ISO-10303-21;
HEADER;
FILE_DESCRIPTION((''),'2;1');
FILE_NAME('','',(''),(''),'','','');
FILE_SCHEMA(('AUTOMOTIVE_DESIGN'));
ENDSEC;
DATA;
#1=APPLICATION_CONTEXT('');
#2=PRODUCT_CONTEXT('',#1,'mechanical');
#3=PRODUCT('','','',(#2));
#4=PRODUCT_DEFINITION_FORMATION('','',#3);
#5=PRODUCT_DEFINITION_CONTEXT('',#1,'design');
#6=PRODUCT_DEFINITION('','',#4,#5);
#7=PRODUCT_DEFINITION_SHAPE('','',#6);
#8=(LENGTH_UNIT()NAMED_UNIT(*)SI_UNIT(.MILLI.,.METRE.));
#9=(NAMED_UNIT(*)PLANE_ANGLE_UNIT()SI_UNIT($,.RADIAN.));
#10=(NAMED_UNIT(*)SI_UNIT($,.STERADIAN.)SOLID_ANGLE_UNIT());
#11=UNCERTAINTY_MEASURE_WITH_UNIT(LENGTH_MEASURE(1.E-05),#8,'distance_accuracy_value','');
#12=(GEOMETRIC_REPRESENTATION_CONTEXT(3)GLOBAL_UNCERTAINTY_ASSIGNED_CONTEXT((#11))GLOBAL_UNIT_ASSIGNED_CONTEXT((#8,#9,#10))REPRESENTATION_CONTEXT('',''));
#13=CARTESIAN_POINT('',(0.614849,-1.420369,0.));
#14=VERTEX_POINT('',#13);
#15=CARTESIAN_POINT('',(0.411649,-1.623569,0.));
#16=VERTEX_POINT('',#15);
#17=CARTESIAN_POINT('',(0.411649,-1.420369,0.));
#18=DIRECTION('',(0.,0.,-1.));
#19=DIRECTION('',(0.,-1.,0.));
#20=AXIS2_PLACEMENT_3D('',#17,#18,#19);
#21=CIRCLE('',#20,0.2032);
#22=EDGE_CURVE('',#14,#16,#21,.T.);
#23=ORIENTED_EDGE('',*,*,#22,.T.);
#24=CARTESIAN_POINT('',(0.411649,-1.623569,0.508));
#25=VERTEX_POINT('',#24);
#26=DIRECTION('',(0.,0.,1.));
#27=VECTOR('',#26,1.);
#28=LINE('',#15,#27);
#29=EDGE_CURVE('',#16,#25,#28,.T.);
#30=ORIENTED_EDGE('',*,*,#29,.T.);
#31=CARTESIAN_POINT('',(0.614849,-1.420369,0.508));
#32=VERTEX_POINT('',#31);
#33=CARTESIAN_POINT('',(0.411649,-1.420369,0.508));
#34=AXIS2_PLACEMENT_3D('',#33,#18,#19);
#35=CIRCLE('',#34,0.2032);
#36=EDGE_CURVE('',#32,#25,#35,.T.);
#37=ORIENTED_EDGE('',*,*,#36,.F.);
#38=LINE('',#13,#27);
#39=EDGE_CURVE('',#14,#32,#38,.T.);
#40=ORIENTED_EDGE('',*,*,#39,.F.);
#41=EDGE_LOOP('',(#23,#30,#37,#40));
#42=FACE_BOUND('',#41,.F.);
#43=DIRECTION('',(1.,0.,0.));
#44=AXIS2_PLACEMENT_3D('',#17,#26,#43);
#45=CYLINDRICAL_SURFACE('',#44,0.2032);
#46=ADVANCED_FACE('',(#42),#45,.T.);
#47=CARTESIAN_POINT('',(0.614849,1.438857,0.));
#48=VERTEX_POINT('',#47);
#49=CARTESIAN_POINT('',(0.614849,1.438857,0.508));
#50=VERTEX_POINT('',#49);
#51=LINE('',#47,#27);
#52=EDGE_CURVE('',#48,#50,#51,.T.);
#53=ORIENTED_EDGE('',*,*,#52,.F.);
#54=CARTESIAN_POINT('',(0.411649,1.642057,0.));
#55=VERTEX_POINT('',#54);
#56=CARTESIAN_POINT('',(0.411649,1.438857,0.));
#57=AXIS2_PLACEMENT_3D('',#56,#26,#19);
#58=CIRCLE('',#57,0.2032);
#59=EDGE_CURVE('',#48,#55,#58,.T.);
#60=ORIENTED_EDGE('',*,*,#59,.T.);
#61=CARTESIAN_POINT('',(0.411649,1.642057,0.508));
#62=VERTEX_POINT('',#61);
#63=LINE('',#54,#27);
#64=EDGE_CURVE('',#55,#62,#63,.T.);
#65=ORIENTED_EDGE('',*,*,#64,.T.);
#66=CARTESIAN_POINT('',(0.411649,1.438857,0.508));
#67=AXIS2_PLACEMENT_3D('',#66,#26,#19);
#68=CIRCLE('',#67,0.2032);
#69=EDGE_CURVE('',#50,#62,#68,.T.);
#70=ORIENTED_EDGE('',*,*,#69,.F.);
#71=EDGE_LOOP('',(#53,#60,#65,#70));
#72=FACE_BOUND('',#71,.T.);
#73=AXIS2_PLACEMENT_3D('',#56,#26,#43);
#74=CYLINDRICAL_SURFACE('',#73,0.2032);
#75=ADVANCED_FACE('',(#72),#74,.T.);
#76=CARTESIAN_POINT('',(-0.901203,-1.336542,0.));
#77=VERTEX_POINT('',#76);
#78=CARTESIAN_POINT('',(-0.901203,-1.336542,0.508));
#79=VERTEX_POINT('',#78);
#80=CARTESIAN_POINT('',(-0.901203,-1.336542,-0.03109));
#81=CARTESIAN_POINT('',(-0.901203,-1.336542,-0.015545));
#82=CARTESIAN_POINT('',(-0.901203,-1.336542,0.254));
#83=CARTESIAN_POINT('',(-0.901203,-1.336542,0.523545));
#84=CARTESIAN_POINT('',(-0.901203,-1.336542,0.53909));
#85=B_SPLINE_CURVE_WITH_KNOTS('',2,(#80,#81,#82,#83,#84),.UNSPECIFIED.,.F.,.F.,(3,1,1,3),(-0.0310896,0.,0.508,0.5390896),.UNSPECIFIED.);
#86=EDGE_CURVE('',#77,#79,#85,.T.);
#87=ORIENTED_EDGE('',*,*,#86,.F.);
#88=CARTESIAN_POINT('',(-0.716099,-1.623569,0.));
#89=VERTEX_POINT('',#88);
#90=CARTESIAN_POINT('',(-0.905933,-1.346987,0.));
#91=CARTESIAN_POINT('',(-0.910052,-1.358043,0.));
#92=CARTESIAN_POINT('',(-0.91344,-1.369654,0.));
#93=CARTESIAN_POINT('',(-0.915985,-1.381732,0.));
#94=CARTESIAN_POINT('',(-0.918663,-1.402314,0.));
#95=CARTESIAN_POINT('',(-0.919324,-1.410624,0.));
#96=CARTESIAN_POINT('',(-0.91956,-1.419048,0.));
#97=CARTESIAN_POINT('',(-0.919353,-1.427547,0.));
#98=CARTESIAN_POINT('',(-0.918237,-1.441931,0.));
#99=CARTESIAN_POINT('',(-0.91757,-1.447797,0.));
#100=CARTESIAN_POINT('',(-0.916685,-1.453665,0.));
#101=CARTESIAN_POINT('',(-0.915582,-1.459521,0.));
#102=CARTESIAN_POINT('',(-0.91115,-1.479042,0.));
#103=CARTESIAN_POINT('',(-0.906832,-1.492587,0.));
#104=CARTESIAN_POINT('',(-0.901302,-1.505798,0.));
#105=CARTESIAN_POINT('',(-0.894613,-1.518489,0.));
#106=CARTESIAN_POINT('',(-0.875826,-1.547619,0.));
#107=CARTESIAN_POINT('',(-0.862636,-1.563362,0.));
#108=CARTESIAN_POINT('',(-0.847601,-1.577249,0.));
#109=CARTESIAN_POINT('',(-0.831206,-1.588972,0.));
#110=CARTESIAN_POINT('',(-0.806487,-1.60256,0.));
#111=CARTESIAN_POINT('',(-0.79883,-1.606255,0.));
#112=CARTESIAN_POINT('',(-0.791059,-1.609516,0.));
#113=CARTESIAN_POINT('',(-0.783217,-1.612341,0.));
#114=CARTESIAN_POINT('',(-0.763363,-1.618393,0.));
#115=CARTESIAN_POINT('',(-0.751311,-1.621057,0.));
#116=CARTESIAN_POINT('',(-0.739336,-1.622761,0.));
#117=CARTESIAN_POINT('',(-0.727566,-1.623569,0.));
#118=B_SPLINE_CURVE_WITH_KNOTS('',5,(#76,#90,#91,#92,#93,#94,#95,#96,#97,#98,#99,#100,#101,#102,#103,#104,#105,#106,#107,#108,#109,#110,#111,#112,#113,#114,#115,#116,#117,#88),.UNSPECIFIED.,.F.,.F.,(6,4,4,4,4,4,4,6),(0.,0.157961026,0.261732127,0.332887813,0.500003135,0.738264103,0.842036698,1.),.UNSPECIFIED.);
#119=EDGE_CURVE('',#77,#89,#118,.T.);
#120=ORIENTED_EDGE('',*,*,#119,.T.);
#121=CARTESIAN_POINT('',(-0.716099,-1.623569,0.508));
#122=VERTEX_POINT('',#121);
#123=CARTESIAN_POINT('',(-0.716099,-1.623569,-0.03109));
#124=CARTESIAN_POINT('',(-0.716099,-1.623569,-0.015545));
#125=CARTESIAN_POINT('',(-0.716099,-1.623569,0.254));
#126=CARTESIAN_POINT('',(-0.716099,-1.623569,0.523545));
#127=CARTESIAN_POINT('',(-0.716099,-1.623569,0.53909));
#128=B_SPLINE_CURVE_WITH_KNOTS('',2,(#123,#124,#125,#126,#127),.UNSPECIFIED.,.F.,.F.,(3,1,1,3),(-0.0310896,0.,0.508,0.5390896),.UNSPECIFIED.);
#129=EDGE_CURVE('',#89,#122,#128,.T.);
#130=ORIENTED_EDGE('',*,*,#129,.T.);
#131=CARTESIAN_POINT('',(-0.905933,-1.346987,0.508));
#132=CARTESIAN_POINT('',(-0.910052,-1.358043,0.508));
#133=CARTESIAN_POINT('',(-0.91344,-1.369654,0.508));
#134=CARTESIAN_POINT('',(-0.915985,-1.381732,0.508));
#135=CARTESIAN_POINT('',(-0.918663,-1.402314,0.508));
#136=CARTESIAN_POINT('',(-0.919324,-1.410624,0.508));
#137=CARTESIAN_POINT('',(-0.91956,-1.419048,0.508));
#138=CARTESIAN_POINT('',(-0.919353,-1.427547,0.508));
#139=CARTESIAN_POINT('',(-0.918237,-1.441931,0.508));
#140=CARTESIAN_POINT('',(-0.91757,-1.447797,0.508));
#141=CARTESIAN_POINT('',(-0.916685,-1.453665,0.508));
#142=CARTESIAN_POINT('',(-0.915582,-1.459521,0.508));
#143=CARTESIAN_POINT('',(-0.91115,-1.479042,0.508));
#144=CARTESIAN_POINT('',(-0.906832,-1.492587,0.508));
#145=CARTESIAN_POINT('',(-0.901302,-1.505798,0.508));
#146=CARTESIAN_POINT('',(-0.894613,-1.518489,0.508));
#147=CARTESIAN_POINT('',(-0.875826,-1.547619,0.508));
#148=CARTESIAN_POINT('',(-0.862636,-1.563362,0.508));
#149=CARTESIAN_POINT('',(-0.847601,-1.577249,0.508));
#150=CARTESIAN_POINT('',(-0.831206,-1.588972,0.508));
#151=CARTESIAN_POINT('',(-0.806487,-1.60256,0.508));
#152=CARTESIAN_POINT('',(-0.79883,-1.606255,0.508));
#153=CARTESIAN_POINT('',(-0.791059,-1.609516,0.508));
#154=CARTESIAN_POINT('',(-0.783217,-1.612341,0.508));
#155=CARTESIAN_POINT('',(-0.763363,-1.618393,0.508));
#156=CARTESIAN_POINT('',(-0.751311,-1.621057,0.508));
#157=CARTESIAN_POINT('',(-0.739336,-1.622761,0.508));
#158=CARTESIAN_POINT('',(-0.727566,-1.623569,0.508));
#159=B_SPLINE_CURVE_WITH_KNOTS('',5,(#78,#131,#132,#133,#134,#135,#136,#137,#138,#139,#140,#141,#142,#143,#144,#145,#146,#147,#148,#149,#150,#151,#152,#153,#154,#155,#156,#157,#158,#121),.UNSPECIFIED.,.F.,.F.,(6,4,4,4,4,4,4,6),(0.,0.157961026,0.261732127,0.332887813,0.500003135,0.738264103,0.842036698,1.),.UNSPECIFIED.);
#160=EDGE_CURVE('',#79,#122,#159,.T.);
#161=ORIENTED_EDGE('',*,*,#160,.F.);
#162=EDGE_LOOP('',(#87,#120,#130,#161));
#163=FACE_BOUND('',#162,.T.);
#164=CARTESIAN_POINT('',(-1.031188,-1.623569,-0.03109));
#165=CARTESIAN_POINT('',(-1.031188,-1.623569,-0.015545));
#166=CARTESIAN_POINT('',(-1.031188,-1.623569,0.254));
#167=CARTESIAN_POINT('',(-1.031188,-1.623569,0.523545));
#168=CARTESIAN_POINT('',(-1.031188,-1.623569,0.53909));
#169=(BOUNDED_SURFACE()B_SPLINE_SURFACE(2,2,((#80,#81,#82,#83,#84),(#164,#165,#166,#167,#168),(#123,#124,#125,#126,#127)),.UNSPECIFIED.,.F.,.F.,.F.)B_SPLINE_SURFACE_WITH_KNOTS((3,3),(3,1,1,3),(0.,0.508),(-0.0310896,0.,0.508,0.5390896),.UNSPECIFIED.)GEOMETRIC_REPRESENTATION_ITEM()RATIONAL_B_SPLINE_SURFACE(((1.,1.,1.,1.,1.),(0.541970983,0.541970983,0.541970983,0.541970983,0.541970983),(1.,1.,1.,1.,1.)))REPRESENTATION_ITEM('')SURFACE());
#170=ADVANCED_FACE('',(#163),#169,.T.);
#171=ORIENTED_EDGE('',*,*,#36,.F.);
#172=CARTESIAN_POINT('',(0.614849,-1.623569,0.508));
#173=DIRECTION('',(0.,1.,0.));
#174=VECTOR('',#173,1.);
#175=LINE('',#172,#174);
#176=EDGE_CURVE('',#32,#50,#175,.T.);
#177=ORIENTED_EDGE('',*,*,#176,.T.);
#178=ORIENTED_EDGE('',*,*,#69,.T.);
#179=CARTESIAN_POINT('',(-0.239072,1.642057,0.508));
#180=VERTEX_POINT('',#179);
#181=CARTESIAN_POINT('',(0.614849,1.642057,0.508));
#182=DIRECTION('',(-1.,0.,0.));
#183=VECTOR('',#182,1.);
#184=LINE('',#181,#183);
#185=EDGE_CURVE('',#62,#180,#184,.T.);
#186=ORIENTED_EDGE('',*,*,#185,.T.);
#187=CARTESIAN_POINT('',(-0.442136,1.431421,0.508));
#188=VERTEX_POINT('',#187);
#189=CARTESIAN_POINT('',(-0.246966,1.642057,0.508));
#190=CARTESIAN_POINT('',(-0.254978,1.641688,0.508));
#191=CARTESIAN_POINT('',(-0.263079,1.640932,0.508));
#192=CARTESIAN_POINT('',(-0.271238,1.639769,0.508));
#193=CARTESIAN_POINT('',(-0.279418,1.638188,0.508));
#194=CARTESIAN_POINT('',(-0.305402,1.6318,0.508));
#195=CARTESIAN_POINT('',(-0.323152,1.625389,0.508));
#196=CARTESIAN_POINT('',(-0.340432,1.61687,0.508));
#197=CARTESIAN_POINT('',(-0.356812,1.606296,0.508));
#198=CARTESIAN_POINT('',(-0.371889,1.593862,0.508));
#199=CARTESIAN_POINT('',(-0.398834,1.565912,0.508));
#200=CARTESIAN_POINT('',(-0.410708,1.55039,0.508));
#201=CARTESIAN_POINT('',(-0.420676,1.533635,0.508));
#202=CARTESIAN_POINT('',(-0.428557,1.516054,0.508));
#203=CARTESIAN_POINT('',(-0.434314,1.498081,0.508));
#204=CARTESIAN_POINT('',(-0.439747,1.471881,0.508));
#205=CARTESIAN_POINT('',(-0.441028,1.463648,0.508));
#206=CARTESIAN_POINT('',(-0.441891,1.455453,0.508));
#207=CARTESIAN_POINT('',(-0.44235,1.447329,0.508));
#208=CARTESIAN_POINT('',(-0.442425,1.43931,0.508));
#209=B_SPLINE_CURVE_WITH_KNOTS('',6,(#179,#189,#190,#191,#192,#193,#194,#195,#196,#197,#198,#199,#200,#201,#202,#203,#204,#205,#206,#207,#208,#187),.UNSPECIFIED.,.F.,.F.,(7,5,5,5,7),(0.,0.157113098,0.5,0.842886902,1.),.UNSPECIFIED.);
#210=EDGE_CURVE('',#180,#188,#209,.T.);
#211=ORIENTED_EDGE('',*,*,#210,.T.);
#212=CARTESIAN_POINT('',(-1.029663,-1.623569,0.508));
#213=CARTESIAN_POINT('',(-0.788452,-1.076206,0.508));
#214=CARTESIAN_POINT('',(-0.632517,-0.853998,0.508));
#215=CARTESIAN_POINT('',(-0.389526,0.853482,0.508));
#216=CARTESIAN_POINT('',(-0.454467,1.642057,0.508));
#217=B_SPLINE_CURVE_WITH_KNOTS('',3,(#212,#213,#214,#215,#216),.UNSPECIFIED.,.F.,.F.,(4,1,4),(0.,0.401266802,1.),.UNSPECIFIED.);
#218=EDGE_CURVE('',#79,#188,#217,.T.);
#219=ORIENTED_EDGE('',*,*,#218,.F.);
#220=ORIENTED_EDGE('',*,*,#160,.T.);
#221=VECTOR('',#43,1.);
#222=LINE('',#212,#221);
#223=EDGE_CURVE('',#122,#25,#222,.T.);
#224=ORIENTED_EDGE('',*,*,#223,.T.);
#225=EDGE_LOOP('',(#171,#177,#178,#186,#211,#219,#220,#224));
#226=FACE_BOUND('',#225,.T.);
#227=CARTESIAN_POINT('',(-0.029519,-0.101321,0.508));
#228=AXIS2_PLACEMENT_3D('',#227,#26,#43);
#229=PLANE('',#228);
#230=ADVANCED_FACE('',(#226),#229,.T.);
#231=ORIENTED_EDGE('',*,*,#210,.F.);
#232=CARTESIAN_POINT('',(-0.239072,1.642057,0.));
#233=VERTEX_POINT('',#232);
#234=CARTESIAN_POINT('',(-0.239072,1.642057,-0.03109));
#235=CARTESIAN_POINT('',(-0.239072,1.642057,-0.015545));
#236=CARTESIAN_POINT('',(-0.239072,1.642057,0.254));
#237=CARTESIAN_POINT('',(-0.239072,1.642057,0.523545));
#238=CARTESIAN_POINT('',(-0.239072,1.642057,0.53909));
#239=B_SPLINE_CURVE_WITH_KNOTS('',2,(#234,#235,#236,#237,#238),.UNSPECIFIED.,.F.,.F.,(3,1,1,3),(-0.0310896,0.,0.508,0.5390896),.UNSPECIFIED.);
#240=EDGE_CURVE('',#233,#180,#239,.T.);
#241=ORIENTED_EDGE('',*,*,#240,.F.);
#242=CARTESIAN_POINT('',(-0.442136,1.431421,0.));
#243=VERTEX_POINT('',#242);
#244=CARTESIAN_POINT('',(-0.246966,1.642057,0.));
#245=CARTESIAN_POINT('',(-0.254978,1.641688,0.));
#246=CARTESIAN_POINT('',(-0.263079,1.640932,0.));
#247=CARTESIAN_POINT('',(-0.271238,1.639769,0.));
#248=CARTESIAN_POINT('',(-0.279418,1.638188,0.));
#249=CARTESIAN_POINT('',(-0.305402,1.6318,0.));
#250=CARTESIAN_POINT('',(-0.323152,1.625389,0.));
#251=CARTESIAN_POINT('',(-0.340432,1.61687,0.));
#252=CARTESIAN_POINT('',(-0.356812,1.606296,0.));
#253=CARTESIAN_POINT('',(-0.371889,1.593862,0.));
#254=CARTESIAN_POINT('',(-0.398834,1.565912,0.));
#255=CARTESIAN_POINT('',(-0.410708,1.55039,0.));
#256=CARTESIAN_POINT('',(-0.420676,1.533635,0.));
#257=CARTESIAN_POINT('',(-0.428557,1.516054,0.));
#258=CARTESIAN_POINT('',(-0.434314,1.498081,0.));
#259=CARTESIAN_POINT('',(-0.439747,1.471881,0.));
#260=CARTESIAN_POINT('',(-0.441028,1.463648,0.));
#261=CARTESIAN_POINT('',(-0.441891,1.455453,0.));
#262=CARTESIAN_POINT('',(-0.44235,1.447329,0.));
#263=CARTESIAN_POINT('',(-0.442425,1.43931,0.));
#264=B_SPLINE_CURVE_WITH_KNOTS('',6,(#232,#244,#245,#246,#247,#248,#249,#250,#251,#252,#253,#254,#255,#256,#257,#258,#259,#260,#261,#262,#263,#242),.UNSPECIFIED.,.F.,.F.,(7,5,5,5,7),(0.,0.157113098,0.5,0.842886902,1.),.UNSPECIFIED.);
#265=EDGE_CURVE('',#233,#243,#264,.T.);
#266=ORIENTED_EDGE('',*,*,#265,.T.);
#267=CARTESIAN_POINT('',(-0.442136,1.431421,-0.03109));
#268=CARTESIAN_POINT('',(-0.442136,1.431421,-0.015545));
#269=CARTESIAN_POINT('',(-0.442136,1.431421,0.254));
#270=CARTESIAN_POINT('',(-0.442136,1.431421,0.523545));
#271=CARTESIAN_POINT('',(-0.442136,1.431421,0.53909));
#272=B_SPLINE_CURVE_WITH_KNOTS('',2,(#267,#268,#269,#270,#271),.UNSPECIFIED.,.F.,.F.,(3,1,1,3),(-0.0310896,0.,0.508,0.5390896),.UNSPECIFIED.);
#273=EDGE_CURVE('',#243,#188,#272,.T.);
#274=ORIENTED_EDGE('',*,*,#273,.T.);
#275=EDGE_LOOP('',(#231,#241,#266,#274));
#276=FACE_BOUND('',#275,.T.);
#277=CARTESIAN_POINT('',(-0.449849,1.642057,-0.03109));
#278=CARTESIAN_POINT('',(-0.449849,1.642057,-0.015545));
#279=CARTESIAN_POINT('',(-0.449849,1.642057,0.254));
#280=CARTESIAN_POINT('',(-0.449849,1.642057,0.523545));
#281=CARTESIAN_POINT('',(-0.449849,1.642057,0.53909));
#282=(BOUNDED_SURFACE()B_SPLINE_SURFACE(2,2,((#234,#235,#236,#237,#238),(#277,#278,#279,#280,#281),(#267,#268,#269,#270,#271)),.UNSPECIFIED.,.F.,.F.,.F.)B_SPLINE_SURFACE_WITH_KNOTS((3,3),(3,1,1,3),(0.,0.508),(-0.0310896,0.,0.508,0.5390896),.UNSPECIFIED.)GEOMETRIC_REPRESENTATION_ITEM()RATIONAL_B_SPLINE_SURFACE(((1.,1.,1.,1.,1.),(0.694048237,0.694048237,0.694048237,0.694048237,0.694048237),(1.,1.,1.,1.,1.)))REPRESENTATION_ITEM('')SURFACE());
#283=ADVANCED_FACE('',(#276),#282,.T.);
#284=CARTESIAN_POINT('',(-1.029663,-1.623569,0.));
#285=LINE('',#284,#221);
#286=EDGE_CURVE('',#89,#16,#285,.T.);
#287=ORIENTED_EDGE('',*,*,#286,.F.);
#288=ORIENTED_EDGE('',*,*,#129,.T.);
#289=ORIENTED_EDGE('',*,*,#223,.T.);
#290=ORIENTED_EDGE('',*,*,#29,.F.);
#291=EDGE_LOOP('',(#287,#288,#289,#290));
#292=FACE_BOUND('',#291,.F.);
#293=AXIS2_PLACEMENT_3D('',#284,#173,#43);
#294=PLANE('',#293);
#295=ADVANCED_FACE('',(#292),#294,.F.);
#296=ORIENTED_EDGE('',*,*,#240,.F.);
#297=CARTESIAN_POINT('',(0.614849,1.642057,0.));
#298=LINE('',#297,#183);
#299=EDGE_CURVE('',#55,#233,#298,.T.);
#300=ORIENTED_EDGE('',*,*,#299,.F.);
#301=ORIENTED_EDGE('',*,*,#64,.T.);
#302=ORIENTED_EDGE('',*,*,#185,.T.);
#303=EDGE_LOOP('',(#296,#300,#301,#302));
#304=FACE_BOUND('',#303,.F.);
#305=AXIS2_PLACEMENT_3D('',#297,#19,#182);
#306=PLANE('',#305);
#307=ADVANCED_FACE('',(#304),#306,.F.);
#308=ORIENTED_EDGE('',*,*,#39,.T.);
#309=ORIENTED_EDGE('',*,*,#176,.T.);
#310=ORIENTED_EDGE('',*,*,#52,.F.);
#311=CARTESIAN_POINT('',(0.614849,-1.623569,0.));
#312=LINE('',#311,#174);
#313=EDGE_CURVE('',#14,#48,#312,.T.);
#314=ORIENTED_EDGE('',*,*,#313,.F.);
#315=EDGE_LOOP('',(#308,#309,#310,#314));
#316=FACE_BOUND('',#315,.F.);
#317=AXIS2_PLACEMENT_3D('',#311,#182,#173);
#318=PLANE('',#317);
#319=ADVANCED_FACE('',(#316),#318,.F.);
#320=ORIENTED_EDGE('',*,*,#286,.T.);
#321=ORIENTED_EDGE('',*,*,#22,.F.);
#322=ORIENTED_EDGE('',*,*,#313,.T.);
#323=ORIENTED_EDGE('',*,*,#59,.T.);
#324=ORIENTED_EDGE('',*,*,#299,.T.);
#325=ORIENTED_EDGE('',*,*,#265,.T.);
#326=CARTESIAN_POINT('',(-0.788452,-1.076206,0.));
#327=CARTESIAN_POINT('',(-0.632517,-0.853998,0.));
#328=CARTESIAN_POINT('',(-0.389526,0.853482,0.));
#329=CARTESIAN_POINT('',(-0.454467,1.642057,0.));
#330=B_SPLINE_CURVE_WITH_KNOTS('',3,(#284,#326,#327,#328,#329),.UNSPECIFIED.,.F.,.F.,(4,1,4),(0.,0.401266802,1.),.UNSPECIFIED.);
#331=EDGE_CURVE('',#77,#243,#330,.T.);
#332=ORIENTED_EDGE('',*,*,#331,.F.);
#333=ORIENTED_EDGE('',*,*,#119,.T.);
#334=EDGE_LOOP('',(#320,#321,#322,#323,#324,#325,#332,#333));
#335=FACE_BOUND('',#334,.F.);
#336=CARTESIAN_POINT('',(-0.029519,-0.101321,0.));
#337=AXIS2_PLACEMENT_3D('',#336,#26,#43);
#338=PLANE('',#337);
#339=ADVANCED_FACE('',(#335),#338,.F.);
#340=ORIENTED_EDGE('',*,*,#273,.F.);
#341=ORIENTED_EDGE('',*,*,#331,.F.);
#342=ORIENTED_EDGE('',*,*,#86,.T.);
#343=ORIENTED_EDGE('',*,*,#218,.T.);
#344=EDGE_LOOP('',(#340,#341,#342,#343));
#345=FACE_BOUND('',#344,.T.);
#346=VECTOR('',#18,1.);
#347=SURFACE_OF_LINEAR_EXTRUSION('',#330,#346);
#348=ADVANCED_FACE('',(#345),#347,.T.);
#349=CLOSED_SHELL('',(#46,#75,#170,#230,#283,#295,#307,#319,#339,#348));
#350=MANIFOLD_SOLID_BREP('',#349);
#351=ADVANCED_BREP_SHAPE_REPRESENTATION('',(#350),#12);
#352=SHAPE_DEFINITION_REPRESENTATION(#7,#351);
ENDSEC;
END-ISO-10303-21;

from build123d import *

# Parameters (mm, degrees)
F1_DEPTH = 0.508
F2_R     = 0.2032


with BuildPart() as f1:
    # F0 (on Top) → F1 (new body)
    with BuildSketch(Plane.XY):
        with BuildLine():
            Line((0.6148488762, -1.6235694056), (0.6148488762, 1.642056508))
            Line((0.6148488762, 1.642056508), (-0.4544672556, 1.642056508))
            add(Edge.make_bspline(
                [(-1.0296626715, -1.6235694056), (-0.7884516963, -1.0762058664), (-0.6325170849, -0.8539978213), (-0.3895258124, 0.8534820518), (-0.4544672556, 1.642056508)],
                knots=[0, 0, 0, 0, 0.4012668024, 1, 1, 1, 1], degree=3))
            Line((-1.0296626715, -1.6235694056), (0.6148488762, -1.6235694056))
        make_face()
    extrude(amount=F1_DEPTH)

    # F2
    f2_edges = [f1.edges().sort_by_distance(p)[0] for p in [
        (-1.029663, -1.623569, 0.254),
        (-0.454467, 1.642057, 0.254),
        (0.614849, -1.623569, 0.254),
        (0.614849, 1.642057, 0.254),
    ]]
    fillet(f2_edges, radius=F2_R)


solid = f1.part
